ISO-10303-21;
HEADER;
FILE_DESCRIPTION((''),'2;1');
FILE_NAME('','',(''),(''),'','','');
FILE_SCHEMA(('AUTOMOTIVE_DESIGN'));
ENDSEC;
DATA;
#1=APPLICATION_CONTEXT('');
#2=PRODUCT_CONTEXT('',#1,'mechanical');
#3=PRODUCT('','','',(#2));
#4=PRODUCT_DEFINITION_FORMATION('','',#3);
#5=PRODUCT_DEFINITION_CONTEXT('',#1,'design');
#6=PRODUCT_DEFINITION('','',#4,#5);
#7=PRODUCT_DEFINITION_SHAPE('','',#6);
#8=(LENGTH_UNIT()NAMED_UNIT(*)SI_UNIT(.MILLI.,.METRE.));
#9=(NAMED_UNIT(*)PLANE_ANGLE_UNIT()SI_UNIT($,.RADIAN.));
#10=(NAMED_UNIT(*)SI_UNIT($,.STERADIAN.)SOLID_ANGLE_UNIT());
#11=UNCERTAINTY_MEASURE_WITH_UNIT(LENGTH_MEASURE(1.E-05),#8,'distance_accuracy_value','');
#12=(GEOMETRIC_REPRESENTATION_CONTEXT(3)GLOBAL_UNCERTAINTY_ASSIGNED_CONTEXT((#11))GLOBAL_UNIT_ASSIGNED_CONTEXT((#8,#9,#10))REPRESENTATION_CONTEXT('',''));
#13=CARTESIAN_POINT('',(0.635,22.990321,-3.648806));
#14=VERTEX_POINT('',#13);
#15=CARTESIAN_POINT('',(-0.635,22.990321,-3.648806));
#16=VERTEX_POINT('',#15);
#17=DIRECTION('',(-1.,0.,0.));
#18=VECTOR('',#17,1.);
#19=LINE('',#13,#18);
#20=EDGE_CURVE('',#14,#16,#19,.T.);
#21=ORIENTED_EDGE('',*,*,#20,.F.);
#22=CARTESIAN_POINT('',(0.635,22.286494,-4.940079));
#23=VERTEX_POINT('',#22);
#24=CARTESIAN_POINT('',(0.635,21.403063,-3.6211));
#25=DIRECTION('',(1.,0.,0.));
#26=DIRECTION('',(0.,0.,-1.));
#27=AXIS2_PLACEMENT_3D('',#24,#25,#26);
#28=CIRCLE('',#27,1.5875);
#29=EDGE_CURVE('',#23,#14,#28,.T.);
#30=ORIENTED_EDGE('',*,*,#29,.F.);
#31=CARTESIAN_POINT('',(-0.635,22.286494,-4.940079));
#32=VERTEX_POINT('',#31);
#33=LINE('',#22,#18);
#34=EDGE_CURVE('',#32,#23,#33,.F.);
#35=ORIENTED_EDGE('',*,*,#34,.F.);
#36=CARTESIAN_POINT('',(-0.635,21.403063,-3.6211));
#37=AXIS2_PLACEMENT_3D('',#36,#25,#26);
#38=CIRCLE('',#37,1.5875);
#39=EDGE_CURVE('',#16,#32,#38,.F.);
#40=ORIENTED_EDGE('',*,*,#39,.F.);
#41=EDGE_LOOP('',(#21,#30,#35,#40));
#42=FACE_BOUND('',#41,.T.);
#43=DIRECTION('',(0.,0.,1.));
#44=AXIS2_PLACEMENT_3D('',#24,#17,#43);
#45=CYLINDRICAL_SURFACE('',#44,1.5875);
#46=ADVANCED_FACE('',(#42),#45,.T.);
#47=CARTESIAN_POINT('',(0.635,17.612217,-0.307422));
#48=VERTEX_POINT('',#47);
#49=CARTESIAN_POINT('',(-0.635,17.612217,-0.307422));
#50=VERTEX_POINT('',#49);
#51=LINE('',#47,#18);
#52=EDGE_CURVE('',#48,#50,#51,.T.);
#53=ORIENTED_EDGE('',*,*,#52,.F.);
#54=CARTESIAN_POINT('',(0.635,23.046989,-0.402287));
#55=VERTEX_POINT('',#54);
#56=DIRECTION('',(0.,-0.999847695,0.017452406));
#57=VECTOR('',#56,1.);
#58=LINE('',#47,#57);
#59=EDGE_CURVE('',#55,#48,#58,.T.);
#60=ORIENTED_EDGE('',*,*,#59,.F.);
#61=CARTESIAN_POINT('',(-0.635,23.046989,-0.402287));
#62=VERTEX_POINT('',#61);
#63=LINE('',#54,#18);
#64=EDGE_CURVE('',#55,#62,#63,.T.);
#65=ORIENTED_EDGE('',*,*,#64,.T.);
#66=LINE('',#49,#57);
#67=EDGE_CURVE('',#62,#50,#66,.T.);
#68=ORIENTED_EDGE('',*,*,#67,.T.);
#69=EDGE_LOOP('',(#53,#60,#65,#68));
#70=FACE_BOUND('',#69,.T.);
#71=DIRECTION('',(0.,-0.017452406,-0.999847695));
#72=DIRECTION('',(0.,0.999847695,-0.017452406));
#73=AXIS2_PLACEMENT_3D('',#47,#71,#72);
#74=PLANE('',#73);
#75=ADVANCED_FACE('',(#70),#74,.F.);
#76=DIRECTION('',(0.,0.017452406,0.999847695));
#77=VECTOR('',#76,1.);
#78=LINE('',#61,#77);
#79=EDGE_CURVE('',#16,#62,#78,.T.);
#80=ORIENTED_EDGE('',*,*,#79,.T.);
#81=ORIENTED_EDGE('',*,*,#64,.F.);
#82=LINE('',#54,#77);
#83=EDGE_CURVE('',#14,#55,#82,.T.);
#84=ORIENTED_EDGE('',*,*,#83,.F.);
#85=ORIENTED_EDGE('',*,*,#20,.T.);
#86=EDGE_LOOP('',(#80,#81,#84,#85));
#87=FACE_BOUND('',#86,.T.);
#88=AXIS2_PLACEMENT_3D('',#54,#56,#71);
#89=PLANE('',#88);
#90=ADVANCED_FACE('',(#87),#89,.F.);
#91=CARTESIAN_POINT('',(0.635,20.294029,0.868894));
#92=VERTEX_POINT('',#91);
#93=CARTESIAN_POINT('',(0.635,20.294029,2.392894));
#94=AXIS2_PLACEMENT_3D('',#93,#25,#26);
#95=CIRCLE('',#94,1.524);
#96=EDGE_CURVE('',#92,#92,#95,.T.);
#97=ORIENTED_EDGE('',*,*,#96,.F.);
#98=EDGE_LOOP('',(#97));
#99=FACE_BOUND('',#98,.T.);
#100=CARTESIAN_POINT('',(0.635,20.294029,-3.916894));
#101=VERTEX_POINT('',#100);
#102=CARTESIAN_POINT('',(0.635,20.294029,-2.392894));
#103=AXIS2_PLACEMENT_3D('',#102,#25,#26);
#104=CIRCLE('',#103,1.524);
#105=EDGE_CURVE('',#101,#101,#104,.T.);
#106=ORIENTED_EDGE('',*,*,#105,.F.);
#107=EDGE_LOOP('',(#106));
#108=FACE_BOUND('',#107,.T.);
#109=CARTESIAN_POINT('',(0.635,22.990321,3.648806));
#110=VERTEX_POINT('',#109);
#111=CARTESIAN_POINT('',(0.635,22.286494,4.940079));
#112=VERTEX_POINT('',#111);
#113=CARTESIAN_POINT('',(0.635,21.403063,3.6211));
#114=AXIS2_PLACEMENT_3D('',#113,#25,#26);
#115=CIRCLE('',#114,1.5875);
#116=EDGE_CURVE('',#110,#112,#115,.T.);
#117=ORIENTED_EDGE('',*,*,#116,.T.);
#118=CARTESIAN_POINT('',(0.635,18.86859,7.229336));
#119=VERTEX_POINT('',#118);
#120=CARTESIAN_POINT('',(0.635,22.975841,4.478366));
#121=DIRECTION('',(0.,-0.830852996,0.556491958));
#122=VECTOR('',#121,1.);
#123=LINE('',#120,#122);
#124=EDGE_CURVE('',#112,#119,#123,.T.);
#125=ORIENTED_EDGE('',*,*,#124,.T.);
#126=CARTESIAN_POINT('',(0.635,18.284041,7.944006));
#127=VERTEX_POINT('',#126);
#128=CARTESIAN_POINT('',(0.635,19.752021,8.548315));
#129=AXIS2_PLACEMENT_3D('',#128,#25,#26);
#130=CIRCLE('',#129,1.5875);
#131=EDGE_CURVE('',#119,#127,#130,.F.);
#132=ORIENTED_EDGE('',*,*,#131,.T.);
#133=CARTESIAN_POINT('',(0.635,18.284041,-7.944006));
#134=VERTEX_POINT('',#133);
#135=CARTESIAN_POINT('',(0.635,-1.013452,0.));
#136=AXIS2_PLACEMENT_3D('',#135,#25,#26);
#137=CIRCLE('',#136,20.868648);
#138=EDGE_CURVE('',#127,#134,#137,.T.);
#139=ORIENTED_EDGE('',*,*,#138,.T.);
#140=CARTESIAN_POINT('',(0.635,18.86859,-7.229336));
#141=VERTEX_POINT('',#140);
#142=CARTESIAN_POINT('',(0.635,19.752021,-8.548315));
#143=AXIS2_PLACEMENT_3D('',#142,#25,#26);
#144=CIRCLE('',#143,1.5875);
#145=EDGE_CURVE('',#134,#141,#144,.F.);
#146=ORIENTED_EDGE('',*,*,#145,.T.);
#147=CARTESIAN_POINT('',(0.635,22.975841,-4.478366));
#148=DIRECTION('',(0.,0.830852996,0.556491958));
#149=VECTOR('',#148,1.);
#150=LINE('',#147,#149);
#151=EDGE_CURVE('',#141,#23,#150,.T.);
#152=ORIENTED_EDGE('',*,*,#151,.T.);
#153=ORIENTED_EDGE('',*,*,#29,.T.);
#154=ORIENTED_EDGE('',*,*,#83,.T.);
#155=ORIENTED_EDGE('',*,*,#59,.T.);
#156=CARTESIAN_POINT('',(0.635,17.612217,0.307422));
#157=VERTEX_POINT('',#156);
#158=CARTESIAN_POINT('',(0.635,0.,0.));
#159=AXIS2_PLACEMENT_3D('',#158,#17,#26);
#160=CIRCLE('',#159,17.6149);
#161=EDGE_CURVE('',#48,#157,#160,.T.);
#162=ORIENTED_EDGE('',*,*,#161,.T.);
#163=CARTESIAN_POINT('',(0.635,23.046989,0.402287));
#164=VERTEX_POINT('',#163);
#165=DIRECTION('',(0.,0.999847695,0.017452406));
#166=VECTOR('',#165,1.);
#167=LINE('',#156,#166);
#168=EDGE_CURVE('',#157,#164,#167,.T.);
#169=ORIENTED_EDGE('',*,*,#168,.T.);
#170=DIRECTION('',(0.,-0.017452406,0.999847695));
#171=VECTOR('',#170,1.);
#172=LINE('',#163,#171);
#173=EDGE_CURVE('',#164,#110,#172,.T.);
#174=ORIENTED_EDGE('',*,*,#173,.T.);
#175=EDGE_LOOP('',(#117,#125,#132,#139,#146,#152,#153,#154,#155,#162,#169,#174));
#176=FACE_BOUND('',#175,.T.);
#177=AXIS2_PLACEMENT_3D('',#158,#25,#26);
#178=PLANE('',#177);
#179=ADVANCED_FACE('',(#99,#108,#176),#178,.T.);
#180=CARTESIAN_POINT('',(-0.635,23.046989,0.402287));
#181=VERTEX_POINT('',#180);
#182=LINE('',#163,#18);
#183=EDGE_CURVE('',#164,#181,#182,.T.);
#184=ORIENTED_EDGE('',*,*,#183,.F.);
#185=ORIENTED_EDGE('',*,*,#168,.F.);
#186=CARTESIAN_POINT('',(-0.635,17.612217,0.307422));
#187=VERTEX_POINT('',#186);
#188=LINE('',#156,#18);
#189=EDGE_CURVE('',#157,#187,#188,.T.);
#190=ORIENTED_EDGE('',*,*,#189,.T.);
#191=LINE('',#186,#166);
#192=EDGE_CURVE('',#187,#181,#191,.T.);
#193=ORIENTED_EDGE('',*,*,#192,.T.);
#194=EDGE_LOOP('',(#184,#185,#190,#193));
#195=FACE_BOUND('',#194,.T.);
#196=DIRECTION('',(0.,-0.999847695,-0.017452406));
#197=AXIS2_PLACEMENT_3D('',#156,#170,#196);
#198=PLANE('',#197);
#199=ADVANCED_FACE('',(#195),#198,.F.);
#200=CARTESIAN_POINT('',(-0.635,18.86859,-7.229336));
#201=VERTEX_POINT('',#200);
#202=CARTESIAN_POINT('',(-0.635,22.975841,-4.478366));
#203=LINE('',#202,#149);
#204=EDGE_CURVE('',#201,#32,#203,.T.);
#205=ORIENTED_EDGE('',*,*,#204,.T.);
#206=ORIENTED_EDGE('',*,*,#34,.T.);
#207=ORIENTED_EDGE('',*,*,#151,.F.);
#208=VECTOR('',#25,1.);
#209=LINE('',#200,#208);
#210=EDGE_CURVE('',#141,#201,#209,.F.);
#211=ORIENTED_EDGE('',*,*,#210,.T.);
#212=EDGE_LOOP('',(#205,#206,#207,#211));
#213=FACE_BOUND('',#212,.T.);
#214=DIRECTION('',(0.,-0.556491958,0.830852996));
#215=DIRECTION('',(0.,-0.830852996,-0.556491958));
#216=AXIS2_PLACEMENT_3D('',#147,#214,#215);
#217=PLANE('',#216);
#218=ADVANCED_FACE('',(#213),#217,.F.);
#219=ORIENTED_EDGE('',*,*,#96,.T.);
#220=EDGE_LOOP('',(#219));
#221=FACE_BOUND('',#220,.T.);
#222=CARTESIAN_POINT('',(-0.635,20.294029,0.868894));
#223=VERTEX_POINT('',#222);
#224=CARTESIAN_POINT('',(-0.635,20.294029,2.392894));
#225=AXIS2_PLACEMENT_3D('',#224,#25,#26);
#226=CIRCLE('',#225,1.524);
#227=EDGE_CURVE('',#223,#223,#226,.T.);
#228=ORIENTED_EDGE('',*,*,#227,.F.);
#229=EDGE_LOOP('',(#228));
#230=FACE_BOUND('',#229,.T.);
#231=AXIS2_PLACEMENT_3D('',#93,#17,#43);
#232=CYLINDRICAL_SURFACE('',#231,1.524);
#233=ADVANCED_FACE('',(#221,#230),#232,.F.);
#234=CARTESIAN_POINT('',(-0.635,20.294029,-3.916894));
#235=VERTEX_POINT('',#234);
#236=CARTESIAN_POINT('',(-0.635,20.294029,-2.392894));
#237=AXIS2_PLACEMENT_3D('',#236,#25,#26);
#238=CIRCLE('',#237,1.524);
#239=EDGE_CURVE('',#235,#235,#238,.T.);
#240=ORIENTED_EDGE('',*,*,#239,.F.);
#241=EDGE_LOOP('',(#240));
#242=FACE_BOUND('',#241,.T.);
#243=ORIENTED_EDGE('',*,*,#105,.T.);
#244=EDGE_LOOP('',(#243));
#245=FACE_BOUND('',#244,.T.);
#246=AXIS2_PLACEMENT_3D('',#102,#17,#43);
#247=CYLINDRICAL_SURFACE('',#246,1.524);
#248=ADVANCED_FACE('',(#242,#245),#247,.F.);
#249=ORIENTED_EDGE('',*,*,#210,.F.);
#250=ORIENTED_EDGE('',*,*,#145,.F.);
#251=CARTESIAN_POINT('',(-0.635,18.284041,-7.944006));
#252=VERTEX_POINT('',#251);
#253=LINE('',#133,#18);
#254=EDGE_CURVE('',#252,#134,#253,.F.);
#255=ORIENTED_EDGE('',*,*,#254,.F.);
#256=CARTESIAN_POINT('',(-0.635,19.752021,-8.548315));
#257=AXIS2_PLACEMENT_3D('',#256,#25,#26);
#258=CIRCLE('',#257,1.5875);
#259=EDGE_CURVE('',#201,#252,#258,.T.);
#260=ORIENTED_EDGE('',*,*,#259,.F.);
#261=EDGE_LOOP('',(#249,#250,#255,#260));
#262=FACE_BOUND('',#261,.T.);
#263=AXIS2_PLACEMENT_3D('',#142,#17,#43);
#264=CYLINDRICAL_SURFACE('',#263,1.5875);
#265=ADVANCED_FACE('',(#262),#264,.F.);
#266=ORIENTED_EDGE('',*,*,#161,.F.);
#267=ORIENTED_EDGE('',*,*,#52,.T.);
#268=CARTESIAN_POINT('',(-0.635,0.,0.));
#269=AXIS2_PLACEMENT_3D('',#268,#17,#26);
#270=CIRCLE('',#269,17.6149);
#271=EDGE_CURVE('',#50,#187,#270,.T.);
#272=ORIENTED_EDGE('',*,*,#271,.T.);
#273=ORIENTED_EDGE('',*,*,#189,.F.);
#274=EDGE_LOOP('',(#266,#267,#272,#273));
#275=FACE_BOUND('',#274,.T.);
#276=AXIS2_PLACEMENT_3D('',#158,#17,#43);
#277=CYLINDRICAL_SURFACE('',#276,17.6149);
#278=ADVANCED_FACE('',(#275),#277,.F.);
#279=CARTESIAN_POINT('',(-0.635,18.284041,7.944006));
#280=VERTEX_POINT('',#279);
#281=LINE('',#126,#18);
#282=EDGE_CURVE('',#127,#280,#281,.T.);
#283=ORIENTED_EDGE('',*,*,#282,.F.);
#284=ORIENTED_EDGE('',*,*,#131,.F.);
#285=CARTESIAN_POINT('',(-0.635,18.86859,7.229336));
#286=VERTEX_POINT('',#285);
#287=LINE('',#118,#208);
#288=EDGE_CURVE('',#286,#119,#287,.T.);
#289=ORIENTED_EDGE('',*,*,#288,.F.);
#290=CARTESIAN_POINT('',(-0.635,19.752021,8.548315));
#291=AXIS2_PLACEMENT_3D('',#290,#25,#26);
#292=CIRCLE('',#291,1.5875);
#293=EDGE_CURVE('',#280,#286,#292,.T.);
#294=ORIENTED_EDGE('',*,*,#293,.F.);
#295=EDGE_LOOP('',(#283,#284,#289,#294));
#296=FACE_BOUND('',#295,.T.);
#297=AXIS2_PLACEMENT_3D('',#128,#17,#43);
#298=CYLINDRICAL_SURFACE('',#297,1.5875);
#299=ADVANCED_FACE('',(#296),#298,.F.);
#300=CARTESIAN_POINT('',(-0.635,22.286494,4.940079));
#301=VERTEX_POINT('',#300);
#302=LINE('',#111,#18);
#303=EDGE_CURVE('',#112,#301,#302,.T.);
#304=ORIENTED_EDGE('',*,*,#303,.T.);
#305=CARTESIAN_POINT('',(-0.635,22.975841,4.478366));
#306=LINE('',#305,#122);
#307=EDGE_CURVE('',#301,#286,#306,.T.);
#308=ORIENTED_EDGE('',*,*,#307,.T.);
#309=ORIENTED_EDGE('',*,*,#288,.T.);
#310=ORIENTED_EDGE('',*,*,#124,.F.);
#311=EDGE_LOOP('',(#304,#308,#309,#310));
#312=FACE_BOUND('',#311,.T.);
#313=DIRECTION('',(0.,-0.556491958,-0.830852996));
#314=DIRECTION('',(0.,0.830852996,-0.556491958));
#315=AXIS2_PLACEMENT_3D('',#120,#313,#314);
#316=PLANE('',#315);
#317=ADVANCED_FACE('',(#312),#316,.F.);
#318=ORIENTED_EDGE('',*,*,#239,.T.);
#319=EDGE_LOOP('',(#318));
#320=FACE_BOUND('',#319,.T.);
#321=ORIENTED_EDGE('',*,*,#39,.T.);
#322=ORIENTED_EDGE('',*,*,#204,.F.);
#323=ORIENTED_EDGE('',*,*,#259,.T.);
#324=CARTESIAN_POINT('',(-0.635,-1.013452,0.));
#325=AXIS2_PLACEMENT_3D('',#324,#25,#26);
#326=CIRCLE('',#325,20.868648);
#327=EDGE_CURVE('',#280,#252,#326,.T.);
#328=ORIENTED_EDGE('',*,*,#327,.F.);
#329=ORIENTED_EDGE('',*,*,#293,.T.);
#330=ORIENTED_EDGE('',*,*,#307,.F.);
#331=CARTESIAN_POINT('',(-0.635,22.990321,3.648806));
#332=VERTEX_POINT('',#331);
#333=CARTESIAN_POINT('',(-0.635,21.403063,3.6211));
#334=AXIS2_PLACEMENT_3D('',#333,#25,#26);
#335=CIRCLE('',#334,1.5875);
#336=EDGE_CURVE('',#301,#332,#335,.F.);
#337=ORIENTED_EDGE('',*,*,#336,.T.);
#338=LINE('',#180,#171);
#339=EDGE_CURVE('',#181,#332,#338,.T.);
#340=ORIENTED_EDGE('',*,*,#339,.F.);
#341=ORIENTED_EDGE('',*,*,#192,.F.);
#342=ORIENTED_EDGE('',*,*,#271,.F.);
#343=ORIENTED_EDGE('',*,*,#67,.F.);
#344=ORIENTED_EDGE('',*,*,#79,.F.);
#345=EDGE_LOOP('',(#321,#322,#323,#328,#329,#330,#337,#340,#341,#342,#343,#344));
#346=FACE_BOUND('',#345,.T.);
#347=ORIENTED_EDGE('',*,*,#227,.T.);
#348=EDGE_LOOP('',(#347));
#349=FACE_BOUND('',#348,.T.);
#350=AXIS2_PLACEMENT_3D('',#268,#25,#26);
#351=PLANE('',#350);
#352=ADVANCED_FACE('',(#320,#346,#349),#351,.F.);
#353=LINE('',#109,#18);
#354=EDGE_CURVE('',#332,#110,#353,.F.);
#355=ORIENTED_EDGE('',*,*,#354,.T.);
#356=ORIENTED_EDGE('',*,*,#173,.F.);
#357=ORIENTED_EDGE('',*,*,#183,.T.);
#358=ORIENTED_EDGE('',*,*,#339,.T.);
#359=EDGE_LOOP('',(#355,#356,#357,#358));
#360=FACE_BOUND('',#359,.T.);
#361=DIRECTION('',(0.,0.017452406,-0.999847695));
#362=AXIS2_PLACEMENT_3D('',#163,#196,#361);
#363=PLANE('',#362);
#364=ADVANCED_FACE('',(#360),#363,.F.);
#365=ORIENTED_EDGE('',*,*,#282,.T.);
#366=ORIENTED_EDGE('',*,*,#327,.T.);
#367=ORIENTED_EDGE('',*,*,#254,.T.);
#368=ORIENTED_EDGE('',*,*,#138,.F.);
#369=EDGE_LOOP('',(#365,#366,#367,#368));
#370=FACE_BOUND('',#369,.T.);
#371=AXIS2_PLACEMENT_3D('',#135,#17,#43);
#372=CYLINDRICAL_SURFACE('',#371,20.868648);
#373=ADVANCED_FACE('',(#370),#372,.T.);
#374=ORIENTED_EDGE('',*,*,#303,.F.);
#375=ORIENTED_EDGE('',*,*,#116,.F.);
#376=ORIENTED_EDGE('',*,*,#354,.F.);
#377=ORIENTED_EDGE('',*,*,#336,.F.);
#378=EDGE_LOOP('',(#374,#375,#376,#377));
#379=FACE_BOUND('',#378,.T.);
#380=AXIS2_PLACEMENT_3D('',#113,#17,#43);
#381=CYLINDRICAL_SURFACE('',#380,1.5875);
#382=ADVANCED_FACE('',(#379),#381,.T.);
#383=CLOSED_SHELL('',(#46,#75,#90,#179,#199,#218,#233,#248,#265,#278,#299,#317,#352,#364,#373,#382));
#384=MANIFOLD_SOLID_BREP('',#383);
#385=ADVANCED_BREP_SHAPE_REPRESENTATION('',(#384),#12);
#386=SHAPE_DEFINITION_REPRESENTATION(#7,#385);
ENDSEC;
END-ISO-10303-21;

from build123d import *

# Parameters (mm, degrees)
SKETCH1_R      = 1.524
EXTRUDE1_DEPTH = 0.635
FILLET1_R      = 1.5875


with BuildPart() as part:
    # Sketch1 → Extrude1 (new, symmetric)
    with BuildSketch(Plane(origin=(0, 0, 0), x_dir=(0, 0, -1), z_dir=(1, 0, 0))):
        with BuildLine():
            Line((-0.307422394, 17.612217165), (-0.402286695, 23.046989297))
            Line((-0.402286695, 23.046989297), (-4.478365793, 22.975841072))
            Line((-4.478365793, 22.975841072), (-7.503233478, 18.459656526))
            ThreePointArc((-7.503233478, 18.459656526), (0, -21.8821), (7.503233478, 18.459656526))
            Line((7.503233478, 18.459656526), (4.478365793, 22.975841072))
            Line((4.478365793, 22.975841072), (0.402286695, 23.046989297))
            Line((0.402286695, 23.046989297), (0.307422394, 17.612217165))
            ThreePointArc((0.307422394, 17.612217165), (0, -17.6149), (-0.307422394, 17.612217165))
        make_face()
        with Locations((-2.392894094, 20.294029119)):
            Circle(SKETCH1_R, mode=Mode.SUBTRACT)
        with Locations((2.392894094, 20.294029119)):
            Circle(SKETCH1_R, mode=Mode.SUBTRACT)
    extrude(amount=EXTRUDE1_DEPTH, both=True)

    # Fillet1
    fillet1_edges = [part.edges().sort_by_distance(p)[0] for p in [
        (0, 22.975841072, -4.478365793),
        (0, 18.459656526, -7.503233478),
        (0, 18.459656526, 7.503233478),
        (0, 22.975841072, 4.478365793),
    ]]
    fillet(fillet1_edges, radius=FILLET1_R)


solid = part.part
